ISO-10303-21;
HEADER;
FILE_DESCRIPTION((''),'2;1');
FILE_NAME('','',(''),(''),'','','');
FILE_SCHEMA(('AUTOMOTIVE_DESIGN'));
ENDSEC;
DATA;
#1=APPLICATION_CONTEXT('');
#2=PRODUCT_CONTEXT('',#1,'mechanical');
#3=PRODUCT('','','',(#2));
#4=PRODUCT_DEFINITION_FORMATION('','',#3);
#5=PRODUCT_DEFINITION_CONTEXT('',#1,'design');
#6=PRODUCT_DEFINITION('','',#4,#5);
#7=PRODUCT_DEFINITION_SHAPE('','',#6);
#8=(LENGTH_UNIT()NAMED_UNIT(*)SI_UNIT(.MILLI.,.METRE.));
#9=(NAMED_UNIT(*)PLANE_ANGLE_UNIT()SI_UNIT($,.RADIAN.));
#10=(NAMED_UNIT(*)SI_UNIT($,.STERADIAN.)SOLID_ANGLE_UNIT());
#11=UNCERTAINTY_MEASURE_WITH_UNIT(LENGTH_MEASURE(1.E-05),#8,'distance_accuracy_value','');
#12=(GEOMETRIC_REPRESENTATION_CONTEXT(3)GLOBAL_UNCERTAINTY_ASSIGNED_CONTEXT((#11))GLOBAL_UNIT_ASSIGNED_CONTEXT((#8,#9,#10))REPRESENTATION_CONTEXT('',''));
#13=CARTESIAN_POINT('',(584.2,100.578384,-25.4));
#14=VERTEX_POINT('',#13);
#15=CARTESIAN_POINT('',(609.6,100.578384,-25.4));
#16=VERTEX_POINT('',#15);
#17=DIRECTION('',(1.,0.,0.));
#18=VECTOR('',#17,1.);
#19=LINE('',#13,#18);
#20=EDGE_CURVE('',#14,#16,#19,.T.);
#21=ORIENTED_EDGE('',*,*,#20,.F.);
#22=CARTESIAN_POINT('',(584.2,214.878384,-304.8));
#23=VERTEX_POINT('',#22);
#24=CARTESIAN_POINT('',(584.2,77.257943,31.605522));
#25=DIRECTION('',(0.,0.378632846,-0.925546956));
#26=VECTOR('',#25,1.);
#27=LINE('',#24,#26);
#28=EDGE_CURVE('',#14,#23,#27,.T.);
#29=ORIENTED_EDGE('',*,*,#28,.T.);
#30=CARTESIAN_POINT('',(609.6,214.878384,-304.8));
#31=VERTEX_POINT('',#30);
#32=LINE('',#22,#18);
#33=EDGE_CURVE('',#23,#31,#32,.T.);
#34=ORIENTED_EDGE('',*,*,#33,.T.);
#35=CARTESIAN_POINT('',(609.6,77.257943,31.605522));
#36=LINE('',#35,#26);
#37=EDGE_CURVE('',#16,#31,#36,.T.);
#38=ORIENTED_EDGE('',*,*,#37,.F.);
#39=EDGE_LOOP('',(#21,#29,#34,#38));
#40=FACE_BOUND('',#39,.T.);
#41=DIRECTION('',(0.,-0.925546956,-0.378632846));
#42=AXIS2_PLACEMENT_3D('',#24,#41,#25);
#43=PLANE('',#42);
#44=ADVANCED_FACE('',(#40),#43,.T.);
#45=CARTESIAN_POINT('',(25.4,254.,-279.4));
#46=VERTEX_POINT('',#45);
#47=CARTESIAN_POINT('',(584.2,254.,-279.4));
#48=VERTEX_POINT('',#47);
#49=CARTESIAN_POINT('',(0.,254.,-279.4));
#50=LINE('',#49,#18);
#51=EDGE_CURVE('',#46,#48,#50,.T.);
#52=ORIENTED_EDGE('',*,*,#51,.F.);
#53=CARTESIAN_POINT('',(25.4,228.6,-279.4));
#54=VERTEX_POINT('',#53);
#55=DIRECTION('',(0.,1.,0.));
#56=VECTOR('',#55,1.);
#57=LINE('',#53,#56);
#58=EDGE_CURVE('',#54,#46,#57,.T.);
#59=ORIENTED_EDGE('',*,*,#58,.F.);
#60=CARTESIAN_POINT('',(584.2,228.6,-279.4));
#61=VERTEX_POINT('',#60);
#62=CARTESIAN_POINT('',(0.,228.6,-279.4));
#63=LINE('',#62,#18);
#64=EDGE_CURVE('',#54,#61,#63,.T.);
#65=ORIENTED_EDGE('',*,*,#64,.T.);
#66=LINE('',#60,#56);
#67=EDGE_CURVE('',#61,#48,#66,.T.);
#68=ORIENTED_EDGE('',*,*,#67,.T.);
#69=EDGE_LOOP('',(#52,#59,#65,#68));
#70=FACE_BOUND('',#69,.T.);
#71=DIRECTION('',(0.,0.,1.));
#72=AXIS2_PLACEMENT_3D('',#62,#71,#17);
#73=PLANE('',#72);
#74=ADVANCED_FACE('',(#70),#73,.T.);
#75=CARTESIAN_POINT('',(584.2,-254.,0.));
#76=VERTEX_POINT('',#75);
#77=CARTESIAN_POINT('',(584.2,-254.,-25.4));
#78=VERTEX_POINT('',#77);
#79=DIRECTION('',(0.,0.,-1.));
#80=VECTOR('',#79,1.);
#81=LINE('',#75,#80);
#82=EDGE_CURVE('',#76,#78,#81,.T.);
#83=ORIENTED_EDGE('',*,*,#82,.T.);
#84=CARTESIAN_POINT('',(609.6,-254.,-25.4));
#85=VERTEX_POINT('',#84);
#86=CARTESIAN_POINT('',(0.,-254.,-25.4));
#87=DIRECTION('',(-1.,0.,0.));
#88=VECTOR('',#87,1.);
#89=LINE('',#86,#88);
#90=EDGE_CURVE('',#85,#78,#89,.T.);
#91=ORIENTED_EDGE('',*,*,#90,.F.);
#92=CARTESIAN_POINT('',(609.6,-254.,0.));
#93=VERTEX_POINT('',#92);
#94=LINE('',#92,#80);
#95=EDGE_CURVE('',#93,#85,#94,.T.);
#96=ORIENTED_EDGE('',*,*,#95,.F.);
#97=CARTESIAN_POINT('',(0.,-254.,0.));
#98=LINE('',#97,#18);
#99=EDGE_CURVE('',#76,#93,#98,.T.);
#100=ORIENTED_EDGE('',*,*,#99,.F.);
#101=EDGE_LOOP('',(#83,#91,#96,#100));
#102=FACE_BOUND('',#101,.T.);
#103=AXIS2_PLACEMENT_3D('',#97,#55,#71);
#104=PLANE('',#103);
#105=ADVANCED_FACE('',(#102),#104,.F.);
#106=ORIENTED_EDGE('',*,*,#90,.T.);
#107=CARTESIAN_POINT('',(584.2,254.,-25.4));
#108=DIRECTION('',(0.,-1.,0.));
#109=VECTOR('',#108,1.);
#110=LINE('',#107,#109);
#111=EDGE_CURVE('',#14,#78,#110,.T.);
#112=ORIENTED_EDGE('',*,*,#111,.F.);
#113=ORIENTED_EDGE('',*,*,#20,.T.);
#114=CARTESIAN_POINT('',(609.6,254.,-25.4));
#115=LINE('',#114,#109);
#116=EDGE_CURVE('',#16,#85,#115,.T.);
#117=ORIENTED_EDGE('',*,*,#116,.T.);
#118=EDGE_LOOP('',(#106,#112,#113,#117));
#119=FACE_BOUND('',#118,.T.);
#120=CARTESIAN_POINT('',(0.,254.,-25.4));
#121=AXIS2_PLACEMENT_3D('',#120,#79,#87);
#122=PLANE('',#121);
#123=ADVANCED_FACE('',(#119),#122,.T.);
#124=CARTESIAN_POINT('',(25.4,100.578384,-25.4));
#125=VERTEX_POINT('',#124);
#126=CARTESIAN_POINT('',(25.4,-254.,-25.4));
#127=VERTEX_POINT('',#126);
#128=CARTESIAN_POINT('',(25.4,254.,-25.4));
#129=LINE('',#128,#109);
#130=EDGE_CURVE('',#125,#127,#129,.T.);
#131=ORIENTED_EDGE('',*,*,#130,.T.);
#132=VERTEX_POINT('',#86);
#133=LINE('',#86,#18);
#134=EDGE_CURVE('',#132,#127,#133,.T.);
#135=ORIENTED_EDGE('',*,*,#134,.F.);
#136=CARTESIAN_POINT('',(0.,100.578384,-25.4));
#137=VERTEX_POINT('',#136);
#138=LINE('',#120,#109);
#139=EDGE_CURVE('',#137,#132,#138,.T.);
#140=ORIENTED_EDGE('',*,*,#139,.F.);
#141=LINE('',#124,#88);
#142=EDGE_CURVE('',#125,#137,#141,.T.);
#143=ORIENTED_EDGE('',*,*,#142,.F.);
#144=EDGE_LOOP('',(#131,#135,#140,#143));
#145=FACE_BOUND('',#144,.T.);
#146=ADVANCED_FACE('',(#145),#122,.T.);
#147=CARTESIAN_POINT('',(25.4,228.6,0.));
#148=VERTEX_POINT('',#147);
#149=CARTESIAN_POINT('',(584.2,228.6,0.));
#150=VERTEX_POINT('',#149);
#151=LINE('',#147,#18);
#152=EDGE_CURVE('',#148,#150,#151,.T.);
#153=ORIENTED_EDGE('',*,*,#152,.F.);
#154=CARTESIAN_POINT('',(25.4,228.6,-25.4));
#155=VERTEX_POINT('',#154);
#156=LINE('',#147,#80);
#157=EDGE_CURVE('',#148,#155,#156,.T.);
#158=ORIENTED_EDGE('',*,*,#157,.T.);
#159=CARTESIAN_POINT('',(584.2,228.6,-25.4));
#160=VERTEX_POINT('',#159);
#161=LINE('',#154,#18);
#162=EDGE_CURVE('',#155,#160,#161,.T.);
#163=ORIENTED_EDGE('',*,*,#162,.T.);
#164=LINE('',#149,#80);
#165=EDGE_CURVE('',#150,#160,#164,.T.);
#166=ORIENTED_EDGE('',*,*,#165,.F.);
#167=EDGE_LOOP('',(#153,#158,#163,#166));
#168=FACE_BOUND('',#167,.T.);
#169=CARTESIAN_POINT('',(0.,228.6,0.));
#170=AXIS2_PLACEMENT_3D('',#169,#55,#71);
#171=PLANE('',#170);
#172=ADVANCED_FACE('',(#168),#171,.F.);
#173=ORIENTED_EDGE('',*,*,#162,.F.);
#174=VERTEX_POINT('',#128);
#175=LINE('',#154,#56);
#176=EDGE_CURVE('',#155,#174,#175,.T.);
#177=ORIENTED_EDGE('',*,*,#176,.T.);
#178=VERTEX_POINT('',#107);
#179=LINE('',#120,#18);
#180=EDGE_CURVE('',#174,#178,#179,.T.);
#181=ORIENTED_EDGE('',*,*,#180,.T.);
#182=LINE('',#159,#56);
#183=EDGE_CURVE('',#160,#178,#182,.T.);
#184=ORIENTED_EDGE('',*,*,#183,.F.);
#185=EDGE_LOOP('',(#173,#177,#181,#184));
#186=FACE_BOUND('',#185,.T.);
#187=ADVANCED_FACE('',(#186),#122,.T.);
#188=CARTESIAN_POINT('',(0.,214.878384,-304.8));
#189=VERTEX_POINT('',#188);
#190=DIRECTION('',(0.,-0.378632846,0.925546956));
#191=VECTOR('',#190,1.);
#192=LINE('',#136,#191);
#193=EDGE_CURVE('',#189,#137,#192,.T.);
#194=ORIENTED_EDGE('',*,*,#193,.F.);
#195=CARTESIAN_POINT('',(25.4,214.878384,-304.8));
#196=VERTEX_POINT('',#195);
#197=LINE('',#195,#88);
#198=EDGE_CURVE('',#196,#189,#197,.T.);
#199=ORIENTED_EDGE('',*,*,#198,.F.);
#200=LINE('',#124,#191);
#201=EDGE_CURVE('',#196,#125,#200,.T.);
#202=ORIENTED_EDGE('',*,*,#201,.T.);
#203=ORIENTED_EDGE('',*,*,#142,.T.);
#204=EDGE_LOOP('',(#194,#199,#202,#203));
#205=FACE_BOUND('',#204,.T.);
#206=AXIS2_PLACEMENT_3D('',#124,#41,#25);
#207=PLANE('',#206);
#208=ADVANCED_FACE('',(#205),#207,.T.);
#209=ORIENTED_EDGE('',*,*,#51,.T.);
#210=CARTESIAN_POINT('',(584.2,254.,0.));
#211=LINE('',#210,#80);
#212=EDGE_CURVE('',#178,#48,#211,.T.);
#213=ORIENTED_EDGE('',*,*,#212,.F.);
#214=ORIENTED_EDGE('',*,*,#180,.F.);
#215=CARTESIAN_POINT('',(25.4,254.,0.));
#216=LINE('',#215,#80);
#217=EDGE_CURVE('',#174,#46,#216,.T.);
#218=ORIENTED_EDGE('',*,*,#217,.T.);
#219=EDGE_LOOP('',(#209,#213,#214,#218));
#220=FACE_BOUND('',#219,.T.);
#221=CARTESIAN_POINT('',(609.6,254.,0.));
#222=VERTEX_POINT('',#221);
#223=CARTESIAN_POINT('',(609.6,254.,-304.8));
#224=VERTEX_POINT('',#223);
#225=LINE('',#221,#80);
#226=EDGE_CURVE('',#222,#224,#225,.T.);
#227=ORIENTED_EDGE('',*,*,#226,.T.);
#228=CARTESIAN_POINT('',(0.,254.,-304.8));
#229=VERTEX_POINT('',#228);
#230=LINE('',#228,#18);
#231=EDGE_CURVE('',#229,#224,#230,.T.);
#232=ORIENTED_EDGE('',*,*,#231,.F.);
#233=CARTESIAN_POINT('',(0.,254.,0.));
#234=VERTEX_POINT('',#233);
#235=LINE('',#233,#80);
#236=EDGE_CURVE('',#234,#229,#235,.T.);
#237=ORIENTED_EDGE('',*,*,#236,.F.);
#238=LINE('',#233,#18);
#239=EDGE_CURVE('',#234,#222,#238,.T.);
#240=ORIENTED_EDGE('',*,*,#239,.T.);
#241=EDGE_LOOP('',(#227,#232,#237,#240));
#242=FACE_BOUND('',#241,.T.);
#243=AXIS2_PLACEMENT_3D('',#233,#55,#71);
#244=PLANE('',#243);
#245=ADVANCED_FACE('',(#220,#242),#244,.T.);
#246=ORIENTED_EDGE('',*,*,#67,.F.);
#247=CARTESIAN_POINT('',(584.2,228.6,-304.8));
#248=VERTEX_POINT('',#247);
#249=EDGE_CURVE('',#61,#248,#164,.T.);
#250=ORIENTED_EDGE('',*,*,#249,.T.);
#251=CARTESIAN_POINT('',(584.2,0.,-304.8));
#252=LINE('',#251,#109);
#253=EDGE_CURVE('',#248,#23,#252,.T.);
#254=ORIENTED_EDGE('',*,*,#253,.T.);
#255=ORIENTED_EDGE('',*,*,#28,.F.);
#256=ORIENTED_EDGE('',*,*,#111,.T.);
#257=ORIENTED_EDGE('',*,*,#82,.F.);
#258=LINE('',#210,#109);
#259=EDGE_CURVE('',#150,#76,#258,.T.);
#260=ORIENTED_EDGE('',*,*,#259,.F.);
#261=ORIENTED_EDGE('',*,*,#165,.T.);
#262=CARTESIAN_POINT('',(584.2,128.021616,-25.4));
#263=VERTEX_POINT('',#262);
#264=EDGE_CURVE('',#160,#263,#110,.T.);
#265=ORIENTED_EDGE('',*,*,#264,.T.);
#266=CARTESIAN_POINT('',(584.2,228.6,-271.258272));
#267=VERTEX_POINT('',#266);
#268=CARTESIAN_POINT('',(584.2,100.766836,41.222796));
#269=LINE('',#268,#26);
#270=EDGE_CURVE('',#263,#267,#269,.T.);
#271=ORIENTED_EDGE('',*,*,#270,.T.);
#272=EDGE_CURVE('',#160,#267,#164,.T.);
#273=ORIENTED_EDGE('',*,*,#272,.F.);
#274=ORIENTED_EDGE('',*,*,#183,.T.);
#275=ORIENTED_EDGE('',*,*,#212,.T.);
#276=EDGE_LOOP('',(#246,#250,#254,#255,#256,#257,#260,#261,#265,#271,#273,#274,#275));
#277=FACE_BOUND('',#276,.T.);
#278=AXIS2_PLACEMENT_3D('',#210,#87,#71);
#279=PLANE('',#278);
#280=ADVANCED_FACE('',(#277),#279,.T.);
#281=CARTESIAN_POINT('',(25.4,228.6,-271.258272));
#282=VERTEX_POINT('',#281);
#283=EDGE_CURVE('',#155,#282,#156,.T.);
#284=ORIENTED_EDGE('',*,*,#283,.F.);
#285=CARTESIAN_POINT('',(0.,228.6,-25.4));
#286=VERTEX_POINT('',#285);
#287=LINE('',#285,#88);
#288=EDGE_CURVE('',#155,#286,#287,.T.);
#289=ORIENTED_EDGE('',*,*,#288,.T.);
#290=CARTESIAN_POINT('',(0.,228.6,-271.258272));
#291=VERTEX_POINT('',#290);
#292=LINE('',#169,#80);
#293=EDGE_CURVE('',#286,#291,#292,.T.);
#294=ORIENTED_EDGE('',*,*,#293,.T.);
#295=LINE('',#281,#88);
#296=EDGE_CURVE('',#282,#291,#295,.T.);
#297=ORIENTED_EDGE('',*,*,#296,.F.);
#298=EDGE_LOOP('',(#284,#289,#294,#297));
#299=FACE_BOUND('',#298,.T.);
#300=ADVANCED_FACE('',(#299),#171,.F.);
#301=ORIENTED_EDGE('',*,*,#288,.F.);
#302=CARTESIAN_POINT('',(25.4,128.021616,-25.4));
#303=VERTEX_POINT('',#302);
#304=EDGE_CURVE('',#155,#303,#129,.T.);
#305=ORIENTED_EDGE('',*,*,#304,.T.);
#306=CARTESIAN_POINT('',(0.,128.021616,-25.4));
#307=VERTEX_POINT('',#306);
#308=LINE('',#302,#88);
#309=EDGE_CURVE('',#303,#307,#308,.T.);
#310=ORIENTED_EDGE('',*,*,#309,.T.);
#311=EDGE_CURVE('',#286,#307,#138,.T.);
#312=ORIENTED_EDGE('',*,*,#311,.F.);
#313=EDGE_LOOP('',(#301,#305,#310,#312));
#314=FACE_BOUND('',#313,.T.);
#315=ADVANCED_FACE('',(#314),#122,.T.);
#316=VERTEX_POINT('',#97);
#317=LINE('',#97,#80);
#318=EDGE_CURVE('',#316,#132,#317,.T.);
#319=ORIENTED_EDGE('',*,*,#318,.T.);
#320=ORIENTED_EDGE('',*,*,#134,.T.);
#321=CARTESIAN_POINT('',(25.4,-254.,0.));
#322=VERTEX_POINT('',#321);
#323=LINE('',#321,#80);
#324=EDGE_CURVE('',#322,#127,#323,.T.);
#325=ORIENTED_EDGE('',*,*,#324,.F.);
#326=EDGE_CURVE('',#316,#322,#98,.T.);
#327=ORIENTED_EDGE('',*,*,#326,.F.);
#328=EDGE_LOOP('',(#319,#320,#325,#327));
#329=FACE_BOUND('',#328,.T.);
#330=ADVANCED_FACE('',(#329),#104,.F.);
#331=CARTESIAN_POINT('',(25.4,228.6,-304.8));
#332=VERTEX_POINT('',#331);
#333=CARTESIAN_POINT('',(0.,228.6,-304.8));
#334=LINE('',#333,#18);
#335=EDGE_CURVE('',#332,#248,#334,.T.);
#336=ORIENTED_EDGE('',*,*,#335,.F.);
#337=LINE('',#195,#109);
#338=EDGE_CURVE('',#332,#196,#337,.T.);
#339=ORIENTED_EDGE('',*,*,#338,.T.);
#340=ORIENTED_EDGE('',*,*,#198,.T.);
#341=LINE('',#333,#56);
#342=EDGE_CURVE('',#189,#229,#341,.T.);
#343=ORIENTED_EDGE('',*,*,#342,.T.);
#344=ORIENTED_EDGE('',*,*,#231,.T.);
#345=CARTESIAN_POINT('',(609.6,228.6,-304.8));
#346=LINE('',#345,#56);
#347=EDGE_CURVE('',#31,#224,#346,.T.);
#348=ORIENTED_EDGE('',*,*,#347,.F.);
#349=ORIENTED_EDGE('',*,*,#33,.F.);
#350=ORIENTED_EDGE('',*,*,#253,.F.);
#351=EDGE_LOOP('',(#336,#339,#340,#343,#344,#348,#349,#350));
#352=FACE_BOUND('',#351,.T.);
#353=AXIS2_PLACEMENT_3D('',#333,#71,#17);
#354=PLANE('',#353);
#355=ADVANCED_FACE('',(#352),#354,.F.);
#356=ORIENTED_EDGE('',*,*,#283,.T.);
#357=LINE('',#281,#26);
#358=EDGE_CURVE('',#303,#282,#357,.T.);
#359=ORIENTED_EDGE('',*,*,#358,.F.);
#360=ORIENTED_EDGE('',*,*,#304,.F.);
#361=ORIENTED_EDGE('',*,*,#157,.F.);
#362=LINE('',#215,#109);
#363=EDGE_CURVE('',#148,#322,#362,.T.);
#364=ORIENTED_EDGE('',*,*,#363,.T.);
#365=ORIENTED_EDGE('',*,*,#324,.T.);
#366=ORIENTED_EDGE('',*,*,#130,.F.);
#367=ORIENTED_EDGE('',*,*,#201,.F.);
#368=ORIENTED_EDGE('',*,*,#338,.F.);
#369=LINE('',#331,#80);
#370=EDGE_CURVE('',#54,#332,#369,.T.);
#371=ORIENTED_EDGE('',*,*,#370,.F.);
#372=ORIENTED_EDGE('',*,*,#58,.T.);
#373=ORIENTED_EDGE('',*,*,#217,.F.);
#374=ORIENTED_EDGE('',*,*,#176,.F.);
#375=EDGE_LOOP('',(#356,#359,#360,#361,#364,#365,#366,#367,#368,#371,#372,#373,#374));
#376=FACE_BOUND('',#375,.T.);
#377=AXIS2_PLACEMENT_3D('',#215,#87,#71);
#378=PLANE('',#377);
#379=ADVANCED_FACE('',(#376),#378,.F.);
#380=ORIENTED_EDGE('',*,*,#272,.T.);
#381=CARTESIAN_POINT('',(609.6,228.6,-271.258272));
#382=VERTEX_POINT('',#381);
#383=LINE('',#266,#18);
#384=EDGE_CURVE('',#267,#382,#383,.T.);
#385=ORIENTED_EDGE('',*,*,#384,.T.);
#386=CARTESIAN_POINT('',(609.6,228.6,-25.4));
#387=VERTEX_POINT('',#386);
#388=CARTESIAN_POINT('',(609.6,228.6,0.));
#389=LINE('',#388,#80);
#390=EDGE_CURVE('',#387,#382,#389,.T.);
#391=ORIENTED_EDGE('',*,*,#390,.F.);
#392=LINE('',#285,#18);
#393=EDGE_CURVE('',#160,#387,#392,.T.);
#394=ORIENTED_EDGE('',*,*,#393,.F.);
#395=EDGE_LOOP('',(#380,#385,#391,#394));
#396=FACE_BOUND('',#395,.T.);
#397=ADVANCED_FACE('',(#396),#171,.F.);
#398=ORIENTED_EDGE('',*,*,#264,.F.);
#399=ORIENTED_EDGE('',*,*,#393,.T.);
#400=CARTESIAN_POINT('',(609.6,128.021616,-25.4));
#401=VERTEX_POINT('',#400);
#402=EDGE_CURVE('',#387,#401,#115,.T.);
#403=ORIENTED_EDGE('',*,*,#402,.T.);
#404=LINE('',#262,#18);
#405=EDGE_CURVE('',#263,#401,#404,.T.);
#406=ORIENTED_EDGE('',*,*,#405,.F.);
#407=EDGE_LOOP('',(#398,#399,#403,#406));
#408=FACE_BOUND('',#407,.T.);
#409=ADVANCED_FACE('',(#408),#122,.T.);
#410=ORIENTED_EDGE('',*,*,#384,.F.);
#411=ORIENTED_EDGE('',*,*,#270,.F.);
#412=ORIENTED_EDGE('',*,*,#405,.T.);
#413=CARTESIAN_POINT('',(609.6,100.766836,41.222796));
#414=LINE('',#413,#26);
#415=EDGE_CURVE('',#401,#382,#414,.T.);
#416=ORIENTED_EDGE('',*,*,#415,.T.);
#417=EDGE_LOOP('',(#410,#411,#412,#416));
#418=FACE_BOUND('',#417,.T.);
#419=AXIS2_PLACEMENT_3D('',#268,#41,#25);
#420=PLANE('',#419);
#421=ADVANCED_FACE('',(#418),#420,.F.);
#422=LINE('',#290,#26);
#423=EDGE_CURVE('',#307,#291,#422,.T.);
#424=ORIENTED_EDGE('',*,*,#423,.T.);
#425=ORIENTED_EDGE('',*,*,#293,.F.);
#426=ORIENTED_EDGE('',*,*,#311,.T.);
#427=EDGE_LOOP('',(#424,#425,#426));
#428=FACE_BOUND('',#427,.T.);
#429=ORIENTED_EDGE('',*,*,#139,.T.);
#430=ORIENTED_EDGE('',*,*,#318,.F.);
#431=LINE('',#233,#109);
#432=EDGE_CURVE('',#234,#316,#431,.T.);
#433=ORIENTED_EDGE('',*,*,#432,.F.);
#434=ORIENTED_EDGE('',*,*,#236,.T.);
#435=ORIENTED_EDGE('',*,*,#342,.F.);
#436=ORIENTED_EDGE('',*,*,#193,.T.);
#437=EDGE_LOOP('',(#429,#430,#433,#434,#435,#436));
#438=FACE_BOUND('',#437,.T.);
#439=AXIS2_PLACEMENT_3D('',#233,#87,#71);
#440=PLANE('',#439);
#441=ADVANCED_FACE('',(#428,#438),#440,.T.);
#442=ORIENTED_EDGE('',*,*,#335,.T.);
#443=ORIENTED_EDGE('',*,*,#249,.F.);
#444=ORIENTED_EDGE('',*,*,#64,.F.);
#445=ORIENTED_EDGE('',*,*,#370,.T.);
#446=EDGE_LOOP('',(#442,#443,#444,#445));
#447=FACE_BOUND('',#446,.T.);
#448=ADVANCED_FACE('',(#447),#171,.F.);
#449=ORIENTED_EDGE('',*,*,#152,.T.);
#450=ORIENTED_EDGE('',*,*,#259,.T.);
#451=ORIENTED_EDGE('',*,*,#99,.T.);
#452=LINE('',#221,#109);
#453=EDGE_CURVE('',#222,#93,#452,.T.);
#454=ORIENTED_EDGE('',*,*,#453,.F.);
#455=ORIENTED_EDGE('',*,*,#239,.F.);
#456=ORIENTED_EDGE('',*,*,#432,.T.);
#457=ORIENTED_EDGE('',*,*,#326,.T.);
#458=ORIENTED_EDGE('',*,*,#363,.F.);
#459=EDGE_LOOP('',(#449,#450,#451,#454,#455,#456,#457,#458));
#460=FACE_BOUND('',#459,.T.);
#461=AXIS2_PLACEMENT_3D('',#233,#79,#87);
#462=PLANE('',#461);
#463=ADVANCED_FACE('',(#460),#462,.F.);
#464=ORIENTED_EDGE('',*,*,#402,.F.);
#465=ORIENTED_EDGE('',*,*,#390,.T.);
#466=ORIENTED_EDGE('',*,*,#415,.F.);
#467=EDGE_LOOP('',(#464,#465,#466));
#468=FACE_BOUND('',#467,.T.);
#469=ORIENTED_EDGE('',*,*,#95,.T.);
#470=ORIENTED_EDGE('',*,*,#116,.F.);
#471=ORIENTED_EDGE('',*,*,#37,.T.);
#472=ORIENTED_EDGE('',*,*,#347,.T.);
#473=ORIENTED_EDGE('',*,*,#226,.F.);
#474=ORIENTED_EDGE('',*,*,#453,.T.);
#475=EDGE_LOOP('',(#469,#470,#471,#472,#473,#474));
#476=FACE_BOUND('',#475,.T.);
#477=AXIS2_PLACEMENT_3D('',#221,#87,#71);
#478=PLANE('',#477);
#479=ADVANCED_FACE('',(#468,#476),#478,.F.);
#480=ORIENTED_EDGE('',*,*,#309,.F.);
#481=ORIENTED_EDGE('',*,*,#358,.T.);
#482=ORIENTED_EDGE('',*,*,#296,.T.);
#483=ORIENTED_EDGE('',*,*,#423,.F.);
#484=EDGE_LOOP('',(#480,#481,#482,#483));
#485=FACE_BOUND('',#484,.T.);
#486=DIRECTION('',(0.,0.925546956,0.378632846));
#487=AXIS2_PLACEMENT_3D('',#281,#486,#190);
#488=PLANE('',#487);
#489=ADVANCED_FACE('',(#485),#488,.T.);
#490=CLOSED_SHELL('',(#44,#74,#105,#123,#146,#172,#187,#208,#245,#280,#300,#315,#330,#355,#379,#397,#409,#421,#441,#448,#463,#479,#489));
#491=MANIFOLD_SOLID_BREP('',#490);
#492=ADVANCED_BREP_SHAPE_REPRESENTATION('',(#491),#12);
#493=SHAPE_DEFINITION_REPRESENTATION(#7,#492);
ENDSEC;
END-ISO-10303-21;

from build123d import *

# Parameters (mm, degrees)
SKETCH1_W             = 25.4
SKETCH1_H             = 25.4
BOSS_EXTRUDE1_DEPTH   = 254
BOSS_EXTRUDE1_2_DEPTH = 254
SKETCH2_W             = 558.8
SKETCH2_H             = 25.4
BOSS_EXTRUDE2_DEPTH   = 25.4
BOSS_EXTRUDE3_DEPTH   = 25.4
BOSS_EXTRUDE4_DEPTH   = 25.4


with BuildPart() as part:
    # Sketch1 → Boss-Extrude1 (new, symmetric)
    with BuildSketch(Plane(origin=(0, 0, 0), x_dir=(1, 0, 0), z_dir=(0, 1, 0))):
        with Locations((12.7, 12.7)):
            Rectangle(SKETCH1_W, SKETCH1_H)
    extrude(amount=BOSS_EXTRUDE1_DEPTH, both=True)



with BuildPart() as body_2:
    # Sketch1 → Boss-Extrude1 2 (new, symmetric)
    with BuildSketch(Plane(origin=(0, 0, 0), x_dir=(1, 0, 0), z_dir=(0, 1, 0))):
        with Locations((596.9, 12.7)):
            Rectangle(SKETCH1_W, SKETCH1_H)
    extrude(amount=BOSS_EXTRUDE1_2_DEPTH, both=True)


with BuildPart() as part_1:
    add(part.part)

    add(body_2.part)  # Boss-Extrude2 merges body 2
    # Sketch2 → Boss-Extrude2 (add)
    with BuildSketch(Plane(origin=(0, 254, 0), x_dir=(1, 0, 0), z_dir=(0, 1, 0))):
        Polygon((0, 304.8), (0, 25.4), (25.4, 25.4), (25.4, 279.4), (584.2, 279.4), (584.2, 25.4), (609.6, 25.4), (609.6, 304.8), align=None)
        with Locations((304.8, 12.7)):
            Rectangle(SKETCH2_W, SKETCH2_H)
    extrude(amount=-BOSS_EXTRUDE2_DEPTH)

    # Sketch3 → Boss-Extrude3 (add)
    with BuildSketch(Plane(origin=(609.6, 0, 0), x_dir=(0, 0, -1), z_dir=(1, 0, 0))):
        Polygon((25.4, 128.021616083), (25.4, 100.578383917), (304.8, 214.878383917), (304.8, 228.6), (271.258271797, 228.6), align=None)
    extrude(amount=-BOSS_EXTRUDE3_DEPTH)

    # Sketch4 → Boss-Extrude4 (add)
    with BuildSketch(Plane.ZY):
        Polygon((-271.258271797, 228.6), (-25.4, 128.021616083), (-25.4, 100.578383917), (-304.8, 214.878383917), (-304.8, 228.6), align=None)
    extrude(amount=-BOSS_EXTRUDE4_DEPTH)


solid = part_1.part
